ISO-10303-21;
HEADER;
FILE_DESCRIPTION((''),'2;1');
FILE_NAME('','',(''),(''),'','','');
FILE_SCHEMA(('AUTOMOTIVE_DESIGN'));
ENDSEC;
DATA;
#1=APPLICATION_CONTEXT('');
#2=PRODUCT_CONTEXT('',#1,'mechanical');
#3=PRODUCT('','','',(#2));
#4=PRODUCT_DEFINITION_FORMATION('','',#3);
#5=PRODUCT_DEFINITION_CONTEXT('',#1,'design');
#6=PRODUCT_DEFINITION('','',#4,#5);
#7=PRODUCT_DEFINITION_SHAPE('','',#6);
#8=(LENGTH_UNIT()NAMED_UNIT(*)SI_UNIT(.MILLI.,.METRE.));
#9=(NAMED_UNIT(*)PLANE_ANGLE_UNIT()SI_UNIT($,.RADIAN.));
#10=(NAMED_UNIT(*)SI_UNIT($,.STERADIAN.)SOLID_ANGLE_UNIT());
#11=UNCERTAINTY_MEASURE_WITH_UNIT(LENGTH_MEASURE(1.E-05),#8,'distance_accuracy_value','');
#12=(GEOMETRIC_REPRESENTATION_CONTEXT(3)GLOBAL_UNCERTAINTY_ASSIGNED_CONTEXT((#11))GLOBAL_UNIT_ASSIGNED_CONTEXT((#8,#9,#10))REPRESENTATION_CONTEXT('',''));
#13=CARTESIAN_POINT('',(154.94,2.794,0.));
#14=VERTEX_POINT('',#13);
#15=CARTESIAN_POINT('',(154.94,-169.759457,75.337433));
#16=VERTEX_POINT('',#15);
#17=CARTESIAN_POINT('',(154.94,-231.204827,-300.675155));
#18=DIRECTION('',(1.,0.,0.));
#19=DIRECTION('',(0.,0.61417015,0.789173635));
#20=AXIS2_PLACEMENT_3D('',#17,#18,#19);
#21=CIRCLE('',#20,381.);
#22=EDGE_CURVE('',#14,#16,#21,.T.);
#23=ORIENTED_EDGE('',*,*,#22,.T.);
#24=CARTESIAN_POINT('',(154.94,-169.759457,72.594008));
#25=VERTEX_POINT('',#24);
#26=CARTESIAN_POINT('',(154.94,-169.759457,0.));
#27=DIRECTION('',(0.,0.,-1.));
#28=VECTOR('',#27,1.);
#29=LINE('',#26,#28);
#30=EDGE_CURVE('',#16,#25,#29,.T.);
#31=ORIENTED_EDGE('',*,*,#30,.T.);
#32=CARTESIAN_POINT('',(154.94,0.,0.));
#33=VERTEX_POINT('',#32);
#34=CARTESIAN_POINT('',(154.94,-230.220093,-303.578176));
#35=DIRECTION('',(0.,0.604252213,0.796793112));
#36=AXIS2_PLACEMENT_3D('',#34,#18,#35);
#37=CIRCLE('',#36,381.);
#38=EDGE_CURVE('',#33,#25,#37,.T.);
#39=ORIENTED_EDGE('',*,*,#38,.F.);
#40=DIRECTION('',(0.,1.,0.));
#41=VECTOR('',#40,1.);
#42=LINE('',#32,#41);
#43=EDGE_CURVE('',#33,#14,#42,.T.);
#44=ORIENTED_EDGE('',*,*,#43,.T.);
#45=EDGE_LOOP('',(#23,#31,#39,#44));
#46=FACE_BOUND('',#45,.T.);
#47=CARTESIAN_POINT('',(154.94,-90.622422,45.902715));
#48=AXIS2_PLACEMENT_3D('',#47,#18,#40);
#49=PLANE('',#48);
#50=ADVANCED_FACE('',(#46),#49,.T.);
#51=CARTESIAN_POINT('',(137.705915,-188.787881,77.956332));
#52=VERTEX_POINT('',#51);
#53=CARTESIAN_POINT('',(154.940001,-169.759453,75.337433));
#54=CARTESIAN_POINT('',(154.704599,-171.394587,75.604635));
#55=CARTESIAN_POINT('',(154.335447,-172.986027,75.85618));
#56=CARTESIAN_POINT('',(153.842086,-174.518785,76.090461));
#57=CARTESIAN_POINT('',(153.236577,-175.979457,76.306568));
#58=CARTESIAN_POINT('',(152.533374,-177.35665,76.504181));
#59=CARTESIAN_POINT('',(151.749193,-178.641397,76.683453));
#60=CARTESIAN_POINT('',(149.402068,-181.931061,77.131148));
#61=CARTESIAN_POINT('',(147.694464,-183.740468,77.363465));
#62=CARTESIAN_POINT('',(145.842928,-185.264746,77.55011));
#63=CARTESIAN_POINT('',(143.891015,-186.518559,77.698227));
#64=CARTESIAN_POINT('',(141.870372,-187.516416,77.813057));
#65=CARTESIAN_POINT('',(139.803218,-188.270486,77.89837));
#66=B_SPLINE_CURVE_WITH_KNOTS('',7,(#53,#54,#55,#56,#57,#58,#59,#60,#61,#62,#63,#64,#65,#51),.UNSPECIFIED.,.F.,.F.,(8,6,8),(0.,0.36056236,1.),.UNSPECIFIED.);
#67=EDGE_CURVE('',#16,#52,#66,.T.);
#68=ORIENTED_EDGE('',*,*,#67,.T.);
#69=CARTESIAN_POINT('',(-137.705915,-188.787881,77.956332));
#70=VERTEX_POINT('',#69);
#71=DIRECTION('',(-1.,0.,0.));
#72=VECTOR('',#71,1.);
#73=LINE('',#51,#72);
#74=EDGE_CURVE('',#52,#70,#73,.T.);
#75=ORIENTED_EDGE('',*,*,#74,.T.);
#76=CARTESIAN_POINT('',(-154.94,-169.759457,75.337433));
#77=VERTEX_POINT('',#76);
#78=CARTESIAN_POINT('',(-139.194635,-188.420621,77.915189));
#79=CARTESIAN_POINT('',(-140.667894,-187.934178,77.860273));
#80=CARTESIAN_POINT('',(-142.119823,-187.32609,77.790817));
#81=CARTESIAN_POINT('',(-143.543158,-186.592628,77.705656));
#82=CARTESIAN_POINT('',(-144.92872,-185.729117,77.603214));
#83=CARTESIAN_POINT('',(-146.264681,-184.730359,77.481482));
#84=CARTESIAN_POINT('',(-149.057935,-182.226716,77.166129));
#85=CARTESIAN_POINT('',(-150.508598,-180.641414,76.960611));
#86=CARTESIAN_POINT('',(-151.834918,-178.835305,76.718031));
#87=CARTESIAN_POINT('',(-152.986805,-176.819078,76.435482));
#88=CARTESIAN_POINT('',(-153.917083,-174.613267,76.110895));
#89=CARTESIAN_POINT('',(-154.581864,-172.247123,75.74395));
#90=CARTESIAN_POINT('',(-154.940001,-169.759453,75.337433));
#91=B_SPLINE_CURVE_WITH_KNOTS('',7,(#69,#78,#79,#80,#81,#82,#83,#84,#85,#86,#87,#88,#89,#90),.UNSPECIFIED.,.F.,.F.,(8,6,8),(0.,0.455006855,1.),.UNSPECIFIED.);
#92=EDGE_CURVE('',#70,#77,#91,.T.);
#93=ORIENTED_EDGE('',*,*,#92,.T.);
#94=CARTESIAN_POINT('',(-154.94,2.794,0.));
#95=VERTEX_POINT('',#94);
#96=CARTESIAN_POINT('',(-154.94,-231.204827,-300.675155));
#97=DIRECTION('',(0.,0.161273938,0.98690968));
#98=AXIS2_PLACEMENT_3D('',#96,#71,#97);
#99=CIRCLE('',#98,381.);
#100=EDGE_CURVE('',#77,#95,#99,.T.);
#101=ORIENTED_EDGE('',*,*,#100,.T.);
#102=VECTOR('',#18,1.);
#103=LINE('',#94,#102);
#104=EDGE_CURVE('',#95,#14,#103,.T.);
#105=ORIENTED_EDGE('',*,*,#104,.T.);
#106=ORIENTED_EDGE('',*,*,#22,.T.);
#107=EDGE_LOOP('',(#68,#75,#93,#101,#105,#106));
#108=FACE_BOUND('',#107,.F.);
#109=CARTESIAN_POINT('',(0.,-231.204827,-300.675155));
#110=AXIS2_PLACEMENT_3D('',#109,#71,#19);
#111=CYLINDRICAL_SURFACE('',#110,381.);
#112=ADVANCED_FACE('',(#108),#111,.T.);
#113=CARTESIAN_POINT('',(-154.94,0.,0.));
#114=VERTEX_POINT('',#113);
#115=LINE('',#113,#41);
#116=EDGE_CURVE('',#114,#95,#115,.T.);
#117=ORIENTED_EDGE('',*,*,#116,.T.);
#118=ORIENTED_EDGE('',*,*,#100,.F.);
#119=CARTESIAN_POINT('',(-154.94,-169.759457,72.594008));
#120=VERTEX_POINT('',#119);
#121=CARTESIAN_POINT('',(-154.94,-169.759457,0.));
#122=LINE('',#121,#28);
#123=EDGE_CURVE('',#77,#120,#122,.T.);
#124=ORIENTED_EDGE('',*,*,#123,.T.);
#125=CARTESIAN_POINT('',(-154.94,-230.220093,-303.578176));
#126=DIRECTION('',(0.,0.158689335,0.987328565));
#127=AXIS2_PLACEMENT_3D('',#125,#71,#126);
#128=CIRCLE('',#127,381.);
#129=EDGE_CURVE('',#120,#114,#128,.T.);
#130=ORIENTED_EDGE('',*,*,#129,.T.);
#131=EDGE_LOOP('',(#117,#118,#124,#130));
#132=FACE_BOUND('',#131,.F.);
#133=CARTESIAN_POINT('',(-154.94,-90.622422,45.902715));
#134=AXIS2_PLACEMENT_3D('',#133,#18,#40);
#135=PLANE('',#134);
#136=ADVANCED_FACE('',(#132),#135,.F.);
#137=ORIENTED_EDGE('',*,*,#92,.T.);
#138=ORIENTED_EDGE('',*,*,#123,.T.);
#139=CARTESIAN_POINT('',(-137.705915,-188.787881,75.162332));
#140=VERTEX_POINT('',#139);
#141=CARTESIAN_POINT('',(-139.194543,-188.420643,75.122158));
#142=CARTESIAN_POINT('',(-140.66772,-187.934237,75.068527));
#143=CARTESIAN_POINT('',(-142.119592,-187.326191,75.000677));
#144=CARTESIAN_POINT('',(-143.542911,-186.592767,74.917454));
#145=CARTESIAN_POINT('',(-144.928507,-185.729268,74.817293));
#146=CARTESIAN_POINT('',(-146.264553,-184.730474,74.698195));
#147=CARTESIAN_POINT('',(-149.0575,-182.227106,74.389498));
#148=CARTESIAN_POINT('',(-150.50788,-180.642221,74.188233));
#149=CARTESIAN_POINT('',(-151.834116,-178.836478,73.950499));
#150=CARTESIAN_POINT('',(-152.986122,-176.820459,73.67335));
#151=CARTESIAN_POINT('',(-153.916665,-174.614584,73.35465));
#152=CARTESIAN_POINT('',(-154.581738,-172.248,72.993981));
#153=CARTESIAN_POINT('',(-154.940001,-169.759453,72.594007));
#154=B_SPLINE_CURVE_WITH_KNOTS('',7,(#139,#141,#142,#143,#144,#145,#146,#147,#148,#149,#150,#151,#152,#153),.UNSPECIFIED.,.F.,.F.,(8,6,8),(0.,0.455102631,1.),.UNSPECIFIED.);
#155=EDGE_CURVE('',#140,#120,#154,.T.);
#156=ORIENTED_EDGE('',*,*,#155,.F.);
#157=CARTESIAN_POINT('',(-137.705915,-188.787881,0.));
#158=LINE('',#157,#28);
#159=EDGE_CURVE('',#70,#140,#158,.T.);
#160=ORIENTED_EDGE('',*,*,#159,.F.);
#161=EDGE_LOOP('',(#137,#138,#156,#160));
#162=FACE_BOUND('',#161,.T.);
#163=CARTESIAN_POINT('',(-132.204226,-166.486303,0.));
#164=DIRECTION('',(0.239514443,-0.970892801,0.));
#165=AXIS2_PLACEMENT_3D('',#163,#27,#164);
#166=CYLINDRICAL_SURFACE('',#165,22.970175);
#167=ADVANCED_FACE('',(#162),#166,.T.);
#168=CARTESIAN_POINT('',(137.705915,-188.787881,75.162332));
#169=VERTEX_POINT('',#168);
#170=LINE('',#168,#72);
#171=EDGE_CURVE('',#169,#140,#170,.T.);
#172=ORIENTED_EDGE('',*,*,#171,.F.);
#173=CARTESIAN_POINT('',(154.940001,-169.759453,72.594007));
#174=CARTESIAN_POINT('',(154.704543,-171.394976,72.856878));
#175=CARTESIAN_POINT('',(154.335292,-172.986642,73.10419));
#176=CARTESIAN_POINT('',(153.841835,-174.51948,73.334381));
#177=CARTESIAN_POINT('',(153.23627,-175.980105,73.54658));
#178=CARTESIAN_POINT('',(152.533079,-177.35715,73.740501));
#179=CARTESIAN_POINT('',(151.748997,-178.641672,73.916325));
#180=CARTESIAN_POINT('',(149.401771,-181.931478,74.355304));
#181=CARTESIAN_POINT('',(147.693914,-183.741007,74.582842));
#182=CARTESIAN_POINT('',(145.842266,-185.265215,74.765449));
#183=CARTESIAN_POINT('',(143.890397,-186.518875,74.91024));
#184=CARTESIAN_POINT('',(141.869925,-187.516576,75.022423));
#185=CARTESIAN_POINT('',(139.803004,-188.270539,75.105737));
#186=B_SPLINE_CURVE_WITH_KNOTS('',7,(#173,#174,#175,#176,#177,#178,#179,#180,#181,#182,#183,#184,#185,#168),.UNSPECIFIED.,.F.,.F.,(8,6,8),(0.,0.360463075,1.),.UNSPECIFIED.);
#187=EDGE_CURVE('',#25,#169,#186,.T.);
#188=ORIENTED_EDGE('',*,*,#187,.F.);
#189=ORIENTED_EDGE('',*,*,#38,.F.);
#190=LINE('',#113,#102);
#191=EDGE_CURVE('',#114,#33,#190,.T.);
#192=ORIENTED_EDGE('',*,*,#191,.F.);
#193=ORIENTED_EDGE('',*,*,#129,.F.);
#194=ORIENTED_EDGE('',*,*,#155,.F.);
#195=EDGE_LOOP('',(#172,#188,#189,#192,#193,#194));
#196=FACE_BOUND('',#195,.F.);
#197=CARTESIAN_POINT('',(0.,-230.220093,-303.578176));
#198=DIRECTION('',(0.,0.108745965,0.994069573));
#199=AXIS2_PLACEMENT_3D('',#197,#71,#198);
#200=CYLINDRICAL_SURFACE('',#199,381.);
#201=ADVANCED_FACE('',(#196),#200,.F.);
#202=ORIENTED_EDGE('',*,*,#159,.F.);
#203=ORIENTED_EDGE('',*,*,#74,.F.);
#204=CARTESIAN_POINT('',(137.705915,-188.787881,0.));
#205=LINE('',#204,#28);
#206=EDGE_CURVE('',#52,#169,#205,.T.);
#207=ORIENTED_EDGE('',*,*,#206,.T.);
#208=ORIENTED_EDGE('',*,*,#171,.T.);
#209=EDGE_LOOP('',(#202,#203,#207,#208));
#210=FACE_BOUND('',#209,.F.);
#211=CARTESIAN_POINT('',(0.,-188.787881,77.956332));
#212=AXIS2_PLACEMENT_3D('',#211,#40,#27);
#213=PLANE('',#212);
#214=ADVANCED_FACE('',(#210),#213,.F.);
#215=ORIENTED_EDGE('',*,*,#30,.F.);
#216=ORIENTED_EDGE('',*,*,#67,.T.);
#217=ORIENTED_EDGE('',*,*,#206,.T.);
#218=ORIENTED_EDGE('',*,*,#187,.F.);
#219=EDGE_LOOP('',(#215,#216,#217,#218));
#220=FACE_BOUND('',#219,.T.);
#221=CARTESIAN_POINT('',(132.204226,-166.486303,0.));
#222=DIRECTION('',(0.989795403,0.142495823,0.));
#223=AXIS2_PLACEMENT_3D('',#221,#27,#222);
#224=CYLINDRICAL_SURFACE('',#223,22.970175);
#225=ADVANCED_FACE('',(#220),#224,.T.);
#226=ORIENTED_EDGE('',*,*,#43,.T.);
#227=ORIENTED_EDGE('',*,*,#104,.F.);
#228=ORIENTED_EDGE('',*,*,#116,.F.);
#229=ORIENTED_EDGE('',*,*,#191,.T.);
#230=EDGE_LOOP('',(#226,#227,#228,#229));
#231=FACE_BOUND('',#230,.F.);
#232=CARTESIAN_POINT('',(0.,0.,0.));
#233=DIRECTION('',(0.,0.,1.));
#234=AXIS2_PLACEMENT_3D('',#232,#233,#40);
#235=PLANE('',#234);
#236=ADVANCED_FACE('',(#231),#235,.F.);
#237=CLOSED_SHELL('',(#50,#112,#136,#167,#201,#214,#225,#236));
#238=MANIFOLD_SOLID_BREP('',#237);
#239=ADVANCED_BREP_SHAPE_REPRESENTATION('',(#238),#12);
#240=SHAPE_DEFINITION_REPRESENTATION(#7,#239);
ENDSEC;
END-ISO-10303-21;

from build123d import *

# Parameters (mm, degrees)
F1_DEPTH      = 154.94
F1_DEPTH_BACK = 154.94
F3_DEPTH      = 186.182


with BuildPart() as f1:
    # F0 (on Right) → F1 (new body, two sides)
    with BuildSketch(Plane.YZ) as f1_sk:
        with BuildLine():
            ThreePointArc((-188.7878807099, 75.1623316368), (-89.2907214559, 50.3991008102), (0, 0))
            Line((0, 0), (2.794, 0))
            ThreePointArc((2.794, 0), (-87.6056719262, 52.227498147), (-188.7878807099, 77.9563316368))
            Line((-188.7878807099, 77.9563316368), (-188.7878807099, 75.1623316368))
        make_face()
    extrude(amount=-F1_DEPTH)
    extrude(f1_sk.sketch, amount=F1_DEPTH_BACK)

    # F2 (on Top) → F3 (cut)
    with BuildSketch(Plane.XY):
        with BuildLine():
            ThreePointArc((-126.7025372224, -188.7878807099), (-147.6240234131, -183.5115430003), (-154.94, -163.2131487131))
            Line((-154.94, -163.2131487131), (-161.3427400589, -163.2131487131))
            Line((-161.3427400589, -163.2131487131), (-161.3427400589, -196.9332418511))
            Line((-161.3427400589, -196.9332418511), (-120.7653358579, -196.9332418511))
            Line((-120.7653358579, -196.9332418511), (-126.7025372224, -188.7878807099))
        make_face()
        with BuildLine():
            Line((126.7025372224, -188.7878807099), (120.7653358579, -196.9332418511))
            Line((120.7653358579, -196.9332418511), (161.3427400589, -196.9332418511))
            Line((161.3427400589, -196.9332418511), (161.3427400589, -163.2131487131))
            Line((161.3427400589, -163.2131487131), (154.94, -163.2131487131))
            ThreePointArc((154.94, -163.2131487131), (147.6240234131, -183.5115430003), (126.7025372224, -188.7878807099))
        make_face()
    extrude(amount=F3_DEPTH, mode=Mode.SUBTRACT)


solid = f1.part
